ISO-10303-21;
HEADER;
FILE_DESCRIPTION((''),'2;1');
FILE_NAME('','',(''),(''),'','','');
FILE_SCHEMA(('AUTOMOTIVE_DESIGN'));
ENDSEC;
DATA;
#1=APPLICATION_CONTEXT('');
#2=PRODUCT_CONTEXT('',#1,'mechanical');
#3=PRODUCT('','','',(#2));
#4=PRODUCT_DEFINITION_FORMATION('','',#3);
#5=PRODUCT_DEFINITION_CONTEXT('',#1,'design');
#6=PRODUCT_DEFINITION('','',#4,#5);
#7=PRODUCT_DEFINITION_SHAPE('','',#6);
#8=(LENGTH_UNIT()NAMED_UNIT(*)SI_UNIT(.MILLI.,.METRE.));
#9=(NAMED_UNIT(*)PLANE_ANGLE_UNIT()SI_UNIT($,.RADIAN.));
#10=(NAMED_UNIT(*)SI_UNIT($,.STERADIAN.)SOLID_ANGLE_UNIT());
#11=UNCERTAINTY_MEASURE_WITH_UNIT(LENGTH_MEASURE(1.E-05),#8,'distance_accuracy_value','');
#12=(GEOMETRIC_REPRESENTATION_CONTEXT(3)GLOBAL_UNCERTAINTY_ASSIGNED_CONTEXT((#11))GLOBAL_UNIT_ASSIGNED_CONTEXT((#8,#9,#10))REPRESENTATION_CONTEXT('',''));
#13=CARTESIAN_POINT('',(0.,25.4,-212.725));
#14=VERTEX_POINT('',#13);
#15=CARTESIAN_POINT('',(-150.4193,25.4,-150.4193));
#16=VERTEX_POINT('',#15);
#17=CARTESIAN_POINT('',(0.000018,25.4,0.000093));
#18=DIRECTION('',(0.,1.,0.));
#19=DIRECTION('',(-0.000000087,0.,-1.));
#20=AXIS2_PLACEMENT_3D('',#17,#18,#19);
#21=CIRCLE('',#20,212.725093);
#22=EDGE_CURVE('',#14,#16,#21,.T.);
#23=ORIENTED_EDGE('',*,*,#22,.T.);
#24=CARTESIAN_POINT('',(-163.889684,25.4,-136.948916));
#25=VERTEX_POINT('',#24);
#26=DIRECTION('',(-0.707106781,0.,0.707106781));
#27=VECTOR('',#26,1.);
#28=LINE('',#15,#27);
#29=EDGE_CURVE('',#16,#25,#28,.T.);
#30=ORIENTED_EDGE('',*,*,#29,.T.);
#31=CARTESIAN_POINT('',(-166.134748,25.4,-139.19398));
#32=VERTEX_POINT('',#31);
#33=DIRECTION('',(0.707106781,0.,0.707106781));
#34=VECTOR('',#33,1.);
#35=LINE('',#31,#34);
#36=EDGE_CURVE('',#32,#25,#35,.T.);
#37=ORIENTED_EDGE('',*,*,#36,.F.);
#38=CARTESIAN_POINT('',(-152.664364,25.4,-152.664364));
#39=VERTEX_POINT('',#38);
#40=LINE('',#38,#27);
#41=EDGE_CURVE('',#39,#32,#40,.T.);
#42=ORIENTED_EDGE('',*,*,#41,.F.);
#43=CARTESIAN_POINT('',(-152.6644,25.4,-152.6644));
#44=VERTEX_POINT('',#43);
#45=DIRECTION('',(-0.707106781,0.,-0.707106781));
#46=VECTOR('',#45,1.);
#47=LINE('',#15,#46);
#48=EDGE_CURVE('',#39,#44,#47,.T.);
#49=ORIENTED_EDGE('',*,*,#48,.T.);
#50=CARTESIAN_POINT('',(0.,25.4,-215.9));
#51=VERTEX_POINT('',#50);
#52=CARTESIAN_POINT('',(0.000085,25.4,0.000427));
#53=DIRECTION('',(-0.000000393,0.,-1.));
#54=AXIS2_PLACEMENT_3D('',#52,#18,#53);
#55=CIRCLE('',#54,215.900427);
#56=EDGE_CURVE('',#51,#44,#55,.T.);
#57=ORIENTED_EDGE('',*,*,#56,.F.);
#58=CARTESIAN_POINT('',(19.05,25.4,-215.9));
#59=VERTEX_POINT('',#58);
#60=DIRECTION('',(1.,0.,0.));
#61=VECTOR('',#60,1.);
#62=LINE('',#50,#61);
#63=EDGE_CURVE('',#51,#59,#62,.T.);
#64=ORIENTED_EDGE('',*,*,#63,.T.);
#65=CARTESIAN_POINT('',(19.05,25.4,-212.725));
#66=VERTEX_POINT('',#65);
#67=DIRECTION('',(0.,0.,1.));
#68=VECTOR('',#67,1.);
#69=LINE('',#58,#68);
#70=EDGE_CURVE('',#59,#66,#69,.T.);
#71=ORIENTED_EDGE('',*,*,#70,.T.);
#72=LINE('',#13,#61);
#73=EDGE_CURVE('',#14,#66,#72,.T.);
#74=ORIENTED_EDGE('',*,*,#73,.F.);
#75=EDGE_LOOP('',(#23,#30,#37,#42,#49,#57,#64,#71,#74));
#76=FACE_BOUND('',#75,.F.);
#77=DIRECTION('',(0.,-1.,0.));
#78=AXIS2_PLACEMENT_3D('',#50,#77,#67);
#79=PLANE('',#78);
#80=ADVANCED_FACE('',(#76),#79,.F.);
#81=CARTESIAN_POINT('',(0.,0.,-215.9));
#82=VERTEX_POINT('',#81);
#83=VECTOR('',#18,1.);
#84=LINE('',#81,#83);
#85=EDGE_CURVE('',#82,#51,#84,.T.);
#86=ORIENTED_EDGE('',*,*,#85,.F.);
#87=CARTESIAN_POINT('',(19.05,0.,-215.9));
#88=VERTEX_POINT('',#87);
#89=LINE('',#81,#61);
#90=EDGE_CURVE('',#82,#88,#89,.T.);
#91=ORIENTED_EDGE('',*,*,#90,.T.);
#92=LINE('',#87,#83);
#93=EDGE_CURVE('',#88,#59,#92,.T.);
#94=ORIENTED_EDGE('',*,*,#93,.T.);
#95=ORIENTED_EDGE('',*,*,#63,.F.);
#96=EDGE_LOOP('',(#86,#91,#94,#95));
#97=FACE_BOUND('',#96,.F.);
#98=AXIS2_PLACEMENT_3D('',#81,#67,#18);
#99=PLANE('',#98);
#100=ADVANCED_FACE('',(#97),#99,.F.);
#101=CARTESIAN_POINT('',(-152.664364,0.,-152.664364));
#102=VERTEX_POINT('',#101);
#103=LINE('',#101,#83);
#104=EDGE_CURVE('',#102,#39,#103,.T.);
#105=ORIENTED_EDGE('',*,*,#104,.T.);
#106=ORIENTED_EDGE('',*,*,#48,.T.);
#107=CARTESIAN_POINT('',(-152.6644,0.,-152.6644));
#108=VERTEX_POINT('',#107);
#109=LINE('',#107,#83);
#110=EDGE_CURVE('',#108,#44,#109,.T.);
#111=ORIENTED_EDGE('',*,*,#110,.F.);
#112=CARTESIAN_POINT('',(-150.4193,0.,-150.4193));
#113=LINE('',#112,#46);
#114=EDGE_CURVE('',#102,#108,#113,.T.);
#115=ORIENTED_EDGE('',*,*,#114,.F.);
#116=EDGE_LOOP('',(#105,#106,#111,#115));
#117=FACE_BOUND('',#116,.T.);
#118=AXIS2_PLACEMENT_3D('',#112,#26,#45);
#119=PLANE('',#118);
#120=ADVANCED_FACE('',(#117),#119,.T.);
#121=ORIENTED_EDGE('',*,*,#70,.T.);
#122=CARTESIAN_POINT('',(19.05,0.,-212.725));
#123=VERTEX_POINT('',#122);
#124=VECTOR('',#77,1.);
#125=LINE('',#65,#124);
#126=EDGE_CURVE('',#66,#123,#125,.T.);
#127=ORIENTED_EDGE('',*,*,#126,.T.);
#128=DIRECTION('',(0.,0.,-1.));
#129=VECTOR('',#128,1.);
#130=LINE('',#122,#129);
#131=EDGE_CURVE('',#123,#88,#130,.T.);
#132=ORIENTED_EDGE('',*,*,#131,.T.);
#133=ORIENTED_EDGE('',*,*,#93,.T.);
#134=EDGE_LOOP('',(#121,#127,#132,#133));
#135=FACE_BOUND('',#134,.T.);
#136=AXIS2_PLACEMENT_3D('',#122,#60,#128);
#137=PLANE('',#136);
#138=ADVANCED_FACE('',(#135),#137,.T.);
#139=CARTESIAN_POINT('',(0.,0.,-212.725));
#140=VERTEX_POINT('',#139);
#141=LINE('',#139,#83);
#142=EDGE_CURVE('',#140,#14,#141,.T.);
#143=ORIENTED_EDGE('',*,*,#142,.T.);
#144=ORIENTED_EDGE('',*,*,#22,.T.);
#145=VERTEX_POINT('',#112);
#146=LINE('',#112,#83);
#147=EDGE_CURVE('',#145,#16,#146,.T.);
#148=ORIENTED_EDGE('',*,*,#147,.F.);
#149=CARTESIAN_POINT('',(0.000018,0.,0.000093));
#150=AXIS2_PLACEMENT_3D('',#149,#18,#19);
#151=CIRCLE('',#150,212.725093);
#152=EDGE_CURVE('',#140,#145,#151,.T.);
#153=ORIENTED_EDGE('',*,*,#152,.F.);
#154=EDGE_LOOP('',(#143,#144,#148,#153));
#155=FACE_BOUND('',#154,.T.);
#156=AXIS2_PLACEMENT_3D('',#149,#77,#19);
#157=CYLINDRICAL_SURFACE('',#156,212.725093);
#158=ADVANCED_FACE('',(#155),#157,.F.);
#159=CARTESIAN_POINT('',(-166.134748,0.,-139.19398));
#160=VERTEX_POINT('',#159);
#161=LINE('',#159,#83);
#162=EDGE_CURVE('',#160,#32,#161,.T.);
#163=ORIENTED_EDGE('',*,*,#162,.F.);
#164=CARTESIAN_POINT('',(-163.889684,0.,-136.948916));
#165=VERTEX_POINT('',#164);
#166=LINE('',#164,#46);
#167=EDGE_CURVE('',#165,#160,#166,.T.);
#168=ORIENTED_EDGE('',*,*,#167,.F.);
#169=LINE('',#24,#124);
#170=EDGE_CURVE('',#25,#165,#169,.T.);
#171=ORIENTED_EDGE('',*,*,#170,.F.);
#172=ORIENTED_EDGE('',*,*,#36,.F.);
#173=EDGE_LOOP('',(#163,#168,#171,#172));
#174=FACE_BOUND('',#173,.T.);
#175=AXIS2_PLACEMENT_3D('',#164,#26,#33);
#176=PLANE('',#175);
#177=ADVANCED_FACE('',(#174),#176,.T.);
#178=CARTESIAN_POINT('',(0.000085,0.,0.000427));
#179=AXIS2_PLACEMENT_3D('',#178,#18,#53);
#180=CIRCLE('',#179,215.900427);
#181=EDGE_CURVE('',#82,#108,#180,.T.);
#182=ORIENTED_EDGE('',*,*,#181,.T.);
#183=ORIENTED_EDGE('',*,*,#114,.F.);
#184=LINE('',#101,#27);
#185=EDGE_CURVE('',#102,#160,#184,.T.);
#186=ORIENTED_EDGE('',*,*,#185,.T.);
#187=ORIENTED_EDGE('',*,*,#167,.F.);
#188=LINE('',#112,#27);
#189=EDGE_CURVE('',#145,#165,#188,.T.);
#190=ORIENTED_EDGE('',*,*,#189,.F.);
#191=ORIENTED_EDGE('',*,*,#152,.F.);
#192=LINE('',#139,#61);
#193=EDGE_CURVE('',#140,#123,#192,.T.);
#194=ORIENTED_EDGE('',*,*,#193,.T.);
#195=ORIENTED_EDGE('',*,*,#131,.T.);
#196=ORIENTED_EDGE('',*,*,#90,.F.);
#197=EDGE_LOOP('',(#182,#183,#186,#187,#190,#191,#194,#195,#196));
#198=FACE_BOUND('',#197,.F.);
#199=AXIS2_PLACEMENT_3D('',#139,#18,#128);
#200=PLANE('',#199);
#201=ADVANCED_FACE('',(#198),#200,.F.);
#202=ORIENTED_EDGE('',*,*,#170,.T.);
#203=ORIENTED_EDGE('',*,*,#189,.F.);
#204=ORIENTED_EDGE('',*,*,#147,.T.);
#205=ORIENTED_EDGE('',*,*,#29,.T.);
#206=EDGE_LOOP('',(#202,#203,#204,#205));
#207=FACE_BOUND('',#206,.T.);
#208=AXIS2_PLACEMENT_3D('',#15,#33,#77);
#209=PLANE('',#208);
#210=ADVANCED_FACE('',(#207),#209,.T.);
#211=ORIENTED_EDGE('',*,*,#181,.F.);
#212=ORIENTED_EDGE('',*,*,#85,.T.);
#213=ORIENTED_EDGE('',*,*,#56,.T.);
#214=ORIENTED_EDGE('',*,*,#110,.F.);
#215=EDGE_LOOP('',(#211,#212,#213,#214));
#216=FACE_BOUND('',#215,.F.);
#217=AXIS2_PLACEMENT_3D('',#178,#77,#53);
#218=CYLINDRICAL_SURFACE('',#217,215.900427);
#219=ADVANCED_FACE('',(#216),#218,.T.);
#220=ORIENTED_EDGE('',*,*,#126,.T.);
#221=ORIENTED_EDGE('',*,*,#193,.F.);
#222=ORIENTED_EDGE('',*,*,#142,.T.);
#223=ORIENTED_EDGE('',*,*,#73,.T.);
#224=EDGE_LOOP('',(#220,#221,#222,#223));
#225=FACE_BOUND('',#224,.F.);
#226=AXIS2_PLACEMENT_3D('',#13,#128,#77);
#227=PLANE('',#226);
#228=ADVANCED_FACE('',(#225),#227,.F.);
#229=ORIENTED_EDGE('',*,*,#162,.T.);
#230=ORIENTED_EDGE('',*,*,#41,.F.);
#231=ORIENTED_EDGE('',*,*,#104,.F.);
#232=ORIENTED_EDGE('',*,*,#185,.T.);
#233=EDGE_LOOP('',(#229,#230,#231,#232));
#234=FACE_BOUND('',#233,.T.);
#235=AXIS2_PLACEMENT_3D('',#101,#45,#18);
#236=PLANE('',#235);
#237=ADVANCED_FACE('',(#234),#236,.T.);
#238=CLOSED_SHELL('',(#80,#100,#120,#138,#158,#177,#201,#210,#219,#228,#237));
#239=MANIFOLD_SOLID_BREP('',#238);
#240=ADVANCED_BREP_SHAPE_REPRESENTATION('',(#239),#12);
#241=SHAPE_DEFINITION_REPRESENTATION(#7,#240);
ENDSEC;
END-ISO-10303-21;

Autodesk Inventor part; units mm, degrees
ref_plane "YZ Plane" through (0, 0, 0) normal (1, 0, 0) x (0, 1, 0)
ref_plane "XZ Plane" through (0, 0, 0) normal (0, 1, 0) x (-1, 0, 0)
ref_plane "XY Plane" through (0, 0, 0) normal (0, 0, 1) x (1, 0, 0)
sketch "Sketch1" plane through (0, 0, 0) normal (0, 1, 0) x (-1, 0, 0)
  arc A0 (0, -215.9) -> (152.6644, -152.6644) centre (0, 0) ccw
  arc A1 (0, -212.725) -> (150.4193, -150.4193) centre (0, 0) ccw
  line L0 (150.4193, -150.4193) -> (152.6644, -152.6644)
  line L1 (0, -212.725) -> (0, -215.9)
  dimension "d0" = 431.8
  dimension "d1" = 3.175
  dimension "d2" = 45
extrude "Extrusion1" add sketch "Sketch1" along normal blind 25.4
sketch "Sketch2" plane through (-150.4193, 0, -150.4193) normal (-0.7071, 0, 0.7071) x (0.7071, 0, 0.7071)
  line L0 (-3.175, 25.4) -> (0, 25.4)
  line L1 (0, 25.4) -> (0, 0)
  line L2 (0, 0) -> (-3.175, 0)
  line L3 (-3.175, 0) -> (-3.175, 25.4)
  point P0 (212.725, 0)
extrude "Extrusion2" add sketch "Sketch2" along normal blind 19.05
sketch "Sketch3" plane through (0, 0, -212.725) normal (1, 0, 0) x (0, 0, -1)
  line L0 (0, 0) -> (3.175, 0)
  line L1 (3.175, 0) -> (3.175, 25.4)
  line L2 (3.175, 25.4) -> (0, 25.4)
  line L3 (0, 25.4) -> (0, 0)
  point P0 (-212.725, 0)
extrude "Extrusion3" add sketch "Sketch3" along normal blind 19.05
properties part number "rail"
